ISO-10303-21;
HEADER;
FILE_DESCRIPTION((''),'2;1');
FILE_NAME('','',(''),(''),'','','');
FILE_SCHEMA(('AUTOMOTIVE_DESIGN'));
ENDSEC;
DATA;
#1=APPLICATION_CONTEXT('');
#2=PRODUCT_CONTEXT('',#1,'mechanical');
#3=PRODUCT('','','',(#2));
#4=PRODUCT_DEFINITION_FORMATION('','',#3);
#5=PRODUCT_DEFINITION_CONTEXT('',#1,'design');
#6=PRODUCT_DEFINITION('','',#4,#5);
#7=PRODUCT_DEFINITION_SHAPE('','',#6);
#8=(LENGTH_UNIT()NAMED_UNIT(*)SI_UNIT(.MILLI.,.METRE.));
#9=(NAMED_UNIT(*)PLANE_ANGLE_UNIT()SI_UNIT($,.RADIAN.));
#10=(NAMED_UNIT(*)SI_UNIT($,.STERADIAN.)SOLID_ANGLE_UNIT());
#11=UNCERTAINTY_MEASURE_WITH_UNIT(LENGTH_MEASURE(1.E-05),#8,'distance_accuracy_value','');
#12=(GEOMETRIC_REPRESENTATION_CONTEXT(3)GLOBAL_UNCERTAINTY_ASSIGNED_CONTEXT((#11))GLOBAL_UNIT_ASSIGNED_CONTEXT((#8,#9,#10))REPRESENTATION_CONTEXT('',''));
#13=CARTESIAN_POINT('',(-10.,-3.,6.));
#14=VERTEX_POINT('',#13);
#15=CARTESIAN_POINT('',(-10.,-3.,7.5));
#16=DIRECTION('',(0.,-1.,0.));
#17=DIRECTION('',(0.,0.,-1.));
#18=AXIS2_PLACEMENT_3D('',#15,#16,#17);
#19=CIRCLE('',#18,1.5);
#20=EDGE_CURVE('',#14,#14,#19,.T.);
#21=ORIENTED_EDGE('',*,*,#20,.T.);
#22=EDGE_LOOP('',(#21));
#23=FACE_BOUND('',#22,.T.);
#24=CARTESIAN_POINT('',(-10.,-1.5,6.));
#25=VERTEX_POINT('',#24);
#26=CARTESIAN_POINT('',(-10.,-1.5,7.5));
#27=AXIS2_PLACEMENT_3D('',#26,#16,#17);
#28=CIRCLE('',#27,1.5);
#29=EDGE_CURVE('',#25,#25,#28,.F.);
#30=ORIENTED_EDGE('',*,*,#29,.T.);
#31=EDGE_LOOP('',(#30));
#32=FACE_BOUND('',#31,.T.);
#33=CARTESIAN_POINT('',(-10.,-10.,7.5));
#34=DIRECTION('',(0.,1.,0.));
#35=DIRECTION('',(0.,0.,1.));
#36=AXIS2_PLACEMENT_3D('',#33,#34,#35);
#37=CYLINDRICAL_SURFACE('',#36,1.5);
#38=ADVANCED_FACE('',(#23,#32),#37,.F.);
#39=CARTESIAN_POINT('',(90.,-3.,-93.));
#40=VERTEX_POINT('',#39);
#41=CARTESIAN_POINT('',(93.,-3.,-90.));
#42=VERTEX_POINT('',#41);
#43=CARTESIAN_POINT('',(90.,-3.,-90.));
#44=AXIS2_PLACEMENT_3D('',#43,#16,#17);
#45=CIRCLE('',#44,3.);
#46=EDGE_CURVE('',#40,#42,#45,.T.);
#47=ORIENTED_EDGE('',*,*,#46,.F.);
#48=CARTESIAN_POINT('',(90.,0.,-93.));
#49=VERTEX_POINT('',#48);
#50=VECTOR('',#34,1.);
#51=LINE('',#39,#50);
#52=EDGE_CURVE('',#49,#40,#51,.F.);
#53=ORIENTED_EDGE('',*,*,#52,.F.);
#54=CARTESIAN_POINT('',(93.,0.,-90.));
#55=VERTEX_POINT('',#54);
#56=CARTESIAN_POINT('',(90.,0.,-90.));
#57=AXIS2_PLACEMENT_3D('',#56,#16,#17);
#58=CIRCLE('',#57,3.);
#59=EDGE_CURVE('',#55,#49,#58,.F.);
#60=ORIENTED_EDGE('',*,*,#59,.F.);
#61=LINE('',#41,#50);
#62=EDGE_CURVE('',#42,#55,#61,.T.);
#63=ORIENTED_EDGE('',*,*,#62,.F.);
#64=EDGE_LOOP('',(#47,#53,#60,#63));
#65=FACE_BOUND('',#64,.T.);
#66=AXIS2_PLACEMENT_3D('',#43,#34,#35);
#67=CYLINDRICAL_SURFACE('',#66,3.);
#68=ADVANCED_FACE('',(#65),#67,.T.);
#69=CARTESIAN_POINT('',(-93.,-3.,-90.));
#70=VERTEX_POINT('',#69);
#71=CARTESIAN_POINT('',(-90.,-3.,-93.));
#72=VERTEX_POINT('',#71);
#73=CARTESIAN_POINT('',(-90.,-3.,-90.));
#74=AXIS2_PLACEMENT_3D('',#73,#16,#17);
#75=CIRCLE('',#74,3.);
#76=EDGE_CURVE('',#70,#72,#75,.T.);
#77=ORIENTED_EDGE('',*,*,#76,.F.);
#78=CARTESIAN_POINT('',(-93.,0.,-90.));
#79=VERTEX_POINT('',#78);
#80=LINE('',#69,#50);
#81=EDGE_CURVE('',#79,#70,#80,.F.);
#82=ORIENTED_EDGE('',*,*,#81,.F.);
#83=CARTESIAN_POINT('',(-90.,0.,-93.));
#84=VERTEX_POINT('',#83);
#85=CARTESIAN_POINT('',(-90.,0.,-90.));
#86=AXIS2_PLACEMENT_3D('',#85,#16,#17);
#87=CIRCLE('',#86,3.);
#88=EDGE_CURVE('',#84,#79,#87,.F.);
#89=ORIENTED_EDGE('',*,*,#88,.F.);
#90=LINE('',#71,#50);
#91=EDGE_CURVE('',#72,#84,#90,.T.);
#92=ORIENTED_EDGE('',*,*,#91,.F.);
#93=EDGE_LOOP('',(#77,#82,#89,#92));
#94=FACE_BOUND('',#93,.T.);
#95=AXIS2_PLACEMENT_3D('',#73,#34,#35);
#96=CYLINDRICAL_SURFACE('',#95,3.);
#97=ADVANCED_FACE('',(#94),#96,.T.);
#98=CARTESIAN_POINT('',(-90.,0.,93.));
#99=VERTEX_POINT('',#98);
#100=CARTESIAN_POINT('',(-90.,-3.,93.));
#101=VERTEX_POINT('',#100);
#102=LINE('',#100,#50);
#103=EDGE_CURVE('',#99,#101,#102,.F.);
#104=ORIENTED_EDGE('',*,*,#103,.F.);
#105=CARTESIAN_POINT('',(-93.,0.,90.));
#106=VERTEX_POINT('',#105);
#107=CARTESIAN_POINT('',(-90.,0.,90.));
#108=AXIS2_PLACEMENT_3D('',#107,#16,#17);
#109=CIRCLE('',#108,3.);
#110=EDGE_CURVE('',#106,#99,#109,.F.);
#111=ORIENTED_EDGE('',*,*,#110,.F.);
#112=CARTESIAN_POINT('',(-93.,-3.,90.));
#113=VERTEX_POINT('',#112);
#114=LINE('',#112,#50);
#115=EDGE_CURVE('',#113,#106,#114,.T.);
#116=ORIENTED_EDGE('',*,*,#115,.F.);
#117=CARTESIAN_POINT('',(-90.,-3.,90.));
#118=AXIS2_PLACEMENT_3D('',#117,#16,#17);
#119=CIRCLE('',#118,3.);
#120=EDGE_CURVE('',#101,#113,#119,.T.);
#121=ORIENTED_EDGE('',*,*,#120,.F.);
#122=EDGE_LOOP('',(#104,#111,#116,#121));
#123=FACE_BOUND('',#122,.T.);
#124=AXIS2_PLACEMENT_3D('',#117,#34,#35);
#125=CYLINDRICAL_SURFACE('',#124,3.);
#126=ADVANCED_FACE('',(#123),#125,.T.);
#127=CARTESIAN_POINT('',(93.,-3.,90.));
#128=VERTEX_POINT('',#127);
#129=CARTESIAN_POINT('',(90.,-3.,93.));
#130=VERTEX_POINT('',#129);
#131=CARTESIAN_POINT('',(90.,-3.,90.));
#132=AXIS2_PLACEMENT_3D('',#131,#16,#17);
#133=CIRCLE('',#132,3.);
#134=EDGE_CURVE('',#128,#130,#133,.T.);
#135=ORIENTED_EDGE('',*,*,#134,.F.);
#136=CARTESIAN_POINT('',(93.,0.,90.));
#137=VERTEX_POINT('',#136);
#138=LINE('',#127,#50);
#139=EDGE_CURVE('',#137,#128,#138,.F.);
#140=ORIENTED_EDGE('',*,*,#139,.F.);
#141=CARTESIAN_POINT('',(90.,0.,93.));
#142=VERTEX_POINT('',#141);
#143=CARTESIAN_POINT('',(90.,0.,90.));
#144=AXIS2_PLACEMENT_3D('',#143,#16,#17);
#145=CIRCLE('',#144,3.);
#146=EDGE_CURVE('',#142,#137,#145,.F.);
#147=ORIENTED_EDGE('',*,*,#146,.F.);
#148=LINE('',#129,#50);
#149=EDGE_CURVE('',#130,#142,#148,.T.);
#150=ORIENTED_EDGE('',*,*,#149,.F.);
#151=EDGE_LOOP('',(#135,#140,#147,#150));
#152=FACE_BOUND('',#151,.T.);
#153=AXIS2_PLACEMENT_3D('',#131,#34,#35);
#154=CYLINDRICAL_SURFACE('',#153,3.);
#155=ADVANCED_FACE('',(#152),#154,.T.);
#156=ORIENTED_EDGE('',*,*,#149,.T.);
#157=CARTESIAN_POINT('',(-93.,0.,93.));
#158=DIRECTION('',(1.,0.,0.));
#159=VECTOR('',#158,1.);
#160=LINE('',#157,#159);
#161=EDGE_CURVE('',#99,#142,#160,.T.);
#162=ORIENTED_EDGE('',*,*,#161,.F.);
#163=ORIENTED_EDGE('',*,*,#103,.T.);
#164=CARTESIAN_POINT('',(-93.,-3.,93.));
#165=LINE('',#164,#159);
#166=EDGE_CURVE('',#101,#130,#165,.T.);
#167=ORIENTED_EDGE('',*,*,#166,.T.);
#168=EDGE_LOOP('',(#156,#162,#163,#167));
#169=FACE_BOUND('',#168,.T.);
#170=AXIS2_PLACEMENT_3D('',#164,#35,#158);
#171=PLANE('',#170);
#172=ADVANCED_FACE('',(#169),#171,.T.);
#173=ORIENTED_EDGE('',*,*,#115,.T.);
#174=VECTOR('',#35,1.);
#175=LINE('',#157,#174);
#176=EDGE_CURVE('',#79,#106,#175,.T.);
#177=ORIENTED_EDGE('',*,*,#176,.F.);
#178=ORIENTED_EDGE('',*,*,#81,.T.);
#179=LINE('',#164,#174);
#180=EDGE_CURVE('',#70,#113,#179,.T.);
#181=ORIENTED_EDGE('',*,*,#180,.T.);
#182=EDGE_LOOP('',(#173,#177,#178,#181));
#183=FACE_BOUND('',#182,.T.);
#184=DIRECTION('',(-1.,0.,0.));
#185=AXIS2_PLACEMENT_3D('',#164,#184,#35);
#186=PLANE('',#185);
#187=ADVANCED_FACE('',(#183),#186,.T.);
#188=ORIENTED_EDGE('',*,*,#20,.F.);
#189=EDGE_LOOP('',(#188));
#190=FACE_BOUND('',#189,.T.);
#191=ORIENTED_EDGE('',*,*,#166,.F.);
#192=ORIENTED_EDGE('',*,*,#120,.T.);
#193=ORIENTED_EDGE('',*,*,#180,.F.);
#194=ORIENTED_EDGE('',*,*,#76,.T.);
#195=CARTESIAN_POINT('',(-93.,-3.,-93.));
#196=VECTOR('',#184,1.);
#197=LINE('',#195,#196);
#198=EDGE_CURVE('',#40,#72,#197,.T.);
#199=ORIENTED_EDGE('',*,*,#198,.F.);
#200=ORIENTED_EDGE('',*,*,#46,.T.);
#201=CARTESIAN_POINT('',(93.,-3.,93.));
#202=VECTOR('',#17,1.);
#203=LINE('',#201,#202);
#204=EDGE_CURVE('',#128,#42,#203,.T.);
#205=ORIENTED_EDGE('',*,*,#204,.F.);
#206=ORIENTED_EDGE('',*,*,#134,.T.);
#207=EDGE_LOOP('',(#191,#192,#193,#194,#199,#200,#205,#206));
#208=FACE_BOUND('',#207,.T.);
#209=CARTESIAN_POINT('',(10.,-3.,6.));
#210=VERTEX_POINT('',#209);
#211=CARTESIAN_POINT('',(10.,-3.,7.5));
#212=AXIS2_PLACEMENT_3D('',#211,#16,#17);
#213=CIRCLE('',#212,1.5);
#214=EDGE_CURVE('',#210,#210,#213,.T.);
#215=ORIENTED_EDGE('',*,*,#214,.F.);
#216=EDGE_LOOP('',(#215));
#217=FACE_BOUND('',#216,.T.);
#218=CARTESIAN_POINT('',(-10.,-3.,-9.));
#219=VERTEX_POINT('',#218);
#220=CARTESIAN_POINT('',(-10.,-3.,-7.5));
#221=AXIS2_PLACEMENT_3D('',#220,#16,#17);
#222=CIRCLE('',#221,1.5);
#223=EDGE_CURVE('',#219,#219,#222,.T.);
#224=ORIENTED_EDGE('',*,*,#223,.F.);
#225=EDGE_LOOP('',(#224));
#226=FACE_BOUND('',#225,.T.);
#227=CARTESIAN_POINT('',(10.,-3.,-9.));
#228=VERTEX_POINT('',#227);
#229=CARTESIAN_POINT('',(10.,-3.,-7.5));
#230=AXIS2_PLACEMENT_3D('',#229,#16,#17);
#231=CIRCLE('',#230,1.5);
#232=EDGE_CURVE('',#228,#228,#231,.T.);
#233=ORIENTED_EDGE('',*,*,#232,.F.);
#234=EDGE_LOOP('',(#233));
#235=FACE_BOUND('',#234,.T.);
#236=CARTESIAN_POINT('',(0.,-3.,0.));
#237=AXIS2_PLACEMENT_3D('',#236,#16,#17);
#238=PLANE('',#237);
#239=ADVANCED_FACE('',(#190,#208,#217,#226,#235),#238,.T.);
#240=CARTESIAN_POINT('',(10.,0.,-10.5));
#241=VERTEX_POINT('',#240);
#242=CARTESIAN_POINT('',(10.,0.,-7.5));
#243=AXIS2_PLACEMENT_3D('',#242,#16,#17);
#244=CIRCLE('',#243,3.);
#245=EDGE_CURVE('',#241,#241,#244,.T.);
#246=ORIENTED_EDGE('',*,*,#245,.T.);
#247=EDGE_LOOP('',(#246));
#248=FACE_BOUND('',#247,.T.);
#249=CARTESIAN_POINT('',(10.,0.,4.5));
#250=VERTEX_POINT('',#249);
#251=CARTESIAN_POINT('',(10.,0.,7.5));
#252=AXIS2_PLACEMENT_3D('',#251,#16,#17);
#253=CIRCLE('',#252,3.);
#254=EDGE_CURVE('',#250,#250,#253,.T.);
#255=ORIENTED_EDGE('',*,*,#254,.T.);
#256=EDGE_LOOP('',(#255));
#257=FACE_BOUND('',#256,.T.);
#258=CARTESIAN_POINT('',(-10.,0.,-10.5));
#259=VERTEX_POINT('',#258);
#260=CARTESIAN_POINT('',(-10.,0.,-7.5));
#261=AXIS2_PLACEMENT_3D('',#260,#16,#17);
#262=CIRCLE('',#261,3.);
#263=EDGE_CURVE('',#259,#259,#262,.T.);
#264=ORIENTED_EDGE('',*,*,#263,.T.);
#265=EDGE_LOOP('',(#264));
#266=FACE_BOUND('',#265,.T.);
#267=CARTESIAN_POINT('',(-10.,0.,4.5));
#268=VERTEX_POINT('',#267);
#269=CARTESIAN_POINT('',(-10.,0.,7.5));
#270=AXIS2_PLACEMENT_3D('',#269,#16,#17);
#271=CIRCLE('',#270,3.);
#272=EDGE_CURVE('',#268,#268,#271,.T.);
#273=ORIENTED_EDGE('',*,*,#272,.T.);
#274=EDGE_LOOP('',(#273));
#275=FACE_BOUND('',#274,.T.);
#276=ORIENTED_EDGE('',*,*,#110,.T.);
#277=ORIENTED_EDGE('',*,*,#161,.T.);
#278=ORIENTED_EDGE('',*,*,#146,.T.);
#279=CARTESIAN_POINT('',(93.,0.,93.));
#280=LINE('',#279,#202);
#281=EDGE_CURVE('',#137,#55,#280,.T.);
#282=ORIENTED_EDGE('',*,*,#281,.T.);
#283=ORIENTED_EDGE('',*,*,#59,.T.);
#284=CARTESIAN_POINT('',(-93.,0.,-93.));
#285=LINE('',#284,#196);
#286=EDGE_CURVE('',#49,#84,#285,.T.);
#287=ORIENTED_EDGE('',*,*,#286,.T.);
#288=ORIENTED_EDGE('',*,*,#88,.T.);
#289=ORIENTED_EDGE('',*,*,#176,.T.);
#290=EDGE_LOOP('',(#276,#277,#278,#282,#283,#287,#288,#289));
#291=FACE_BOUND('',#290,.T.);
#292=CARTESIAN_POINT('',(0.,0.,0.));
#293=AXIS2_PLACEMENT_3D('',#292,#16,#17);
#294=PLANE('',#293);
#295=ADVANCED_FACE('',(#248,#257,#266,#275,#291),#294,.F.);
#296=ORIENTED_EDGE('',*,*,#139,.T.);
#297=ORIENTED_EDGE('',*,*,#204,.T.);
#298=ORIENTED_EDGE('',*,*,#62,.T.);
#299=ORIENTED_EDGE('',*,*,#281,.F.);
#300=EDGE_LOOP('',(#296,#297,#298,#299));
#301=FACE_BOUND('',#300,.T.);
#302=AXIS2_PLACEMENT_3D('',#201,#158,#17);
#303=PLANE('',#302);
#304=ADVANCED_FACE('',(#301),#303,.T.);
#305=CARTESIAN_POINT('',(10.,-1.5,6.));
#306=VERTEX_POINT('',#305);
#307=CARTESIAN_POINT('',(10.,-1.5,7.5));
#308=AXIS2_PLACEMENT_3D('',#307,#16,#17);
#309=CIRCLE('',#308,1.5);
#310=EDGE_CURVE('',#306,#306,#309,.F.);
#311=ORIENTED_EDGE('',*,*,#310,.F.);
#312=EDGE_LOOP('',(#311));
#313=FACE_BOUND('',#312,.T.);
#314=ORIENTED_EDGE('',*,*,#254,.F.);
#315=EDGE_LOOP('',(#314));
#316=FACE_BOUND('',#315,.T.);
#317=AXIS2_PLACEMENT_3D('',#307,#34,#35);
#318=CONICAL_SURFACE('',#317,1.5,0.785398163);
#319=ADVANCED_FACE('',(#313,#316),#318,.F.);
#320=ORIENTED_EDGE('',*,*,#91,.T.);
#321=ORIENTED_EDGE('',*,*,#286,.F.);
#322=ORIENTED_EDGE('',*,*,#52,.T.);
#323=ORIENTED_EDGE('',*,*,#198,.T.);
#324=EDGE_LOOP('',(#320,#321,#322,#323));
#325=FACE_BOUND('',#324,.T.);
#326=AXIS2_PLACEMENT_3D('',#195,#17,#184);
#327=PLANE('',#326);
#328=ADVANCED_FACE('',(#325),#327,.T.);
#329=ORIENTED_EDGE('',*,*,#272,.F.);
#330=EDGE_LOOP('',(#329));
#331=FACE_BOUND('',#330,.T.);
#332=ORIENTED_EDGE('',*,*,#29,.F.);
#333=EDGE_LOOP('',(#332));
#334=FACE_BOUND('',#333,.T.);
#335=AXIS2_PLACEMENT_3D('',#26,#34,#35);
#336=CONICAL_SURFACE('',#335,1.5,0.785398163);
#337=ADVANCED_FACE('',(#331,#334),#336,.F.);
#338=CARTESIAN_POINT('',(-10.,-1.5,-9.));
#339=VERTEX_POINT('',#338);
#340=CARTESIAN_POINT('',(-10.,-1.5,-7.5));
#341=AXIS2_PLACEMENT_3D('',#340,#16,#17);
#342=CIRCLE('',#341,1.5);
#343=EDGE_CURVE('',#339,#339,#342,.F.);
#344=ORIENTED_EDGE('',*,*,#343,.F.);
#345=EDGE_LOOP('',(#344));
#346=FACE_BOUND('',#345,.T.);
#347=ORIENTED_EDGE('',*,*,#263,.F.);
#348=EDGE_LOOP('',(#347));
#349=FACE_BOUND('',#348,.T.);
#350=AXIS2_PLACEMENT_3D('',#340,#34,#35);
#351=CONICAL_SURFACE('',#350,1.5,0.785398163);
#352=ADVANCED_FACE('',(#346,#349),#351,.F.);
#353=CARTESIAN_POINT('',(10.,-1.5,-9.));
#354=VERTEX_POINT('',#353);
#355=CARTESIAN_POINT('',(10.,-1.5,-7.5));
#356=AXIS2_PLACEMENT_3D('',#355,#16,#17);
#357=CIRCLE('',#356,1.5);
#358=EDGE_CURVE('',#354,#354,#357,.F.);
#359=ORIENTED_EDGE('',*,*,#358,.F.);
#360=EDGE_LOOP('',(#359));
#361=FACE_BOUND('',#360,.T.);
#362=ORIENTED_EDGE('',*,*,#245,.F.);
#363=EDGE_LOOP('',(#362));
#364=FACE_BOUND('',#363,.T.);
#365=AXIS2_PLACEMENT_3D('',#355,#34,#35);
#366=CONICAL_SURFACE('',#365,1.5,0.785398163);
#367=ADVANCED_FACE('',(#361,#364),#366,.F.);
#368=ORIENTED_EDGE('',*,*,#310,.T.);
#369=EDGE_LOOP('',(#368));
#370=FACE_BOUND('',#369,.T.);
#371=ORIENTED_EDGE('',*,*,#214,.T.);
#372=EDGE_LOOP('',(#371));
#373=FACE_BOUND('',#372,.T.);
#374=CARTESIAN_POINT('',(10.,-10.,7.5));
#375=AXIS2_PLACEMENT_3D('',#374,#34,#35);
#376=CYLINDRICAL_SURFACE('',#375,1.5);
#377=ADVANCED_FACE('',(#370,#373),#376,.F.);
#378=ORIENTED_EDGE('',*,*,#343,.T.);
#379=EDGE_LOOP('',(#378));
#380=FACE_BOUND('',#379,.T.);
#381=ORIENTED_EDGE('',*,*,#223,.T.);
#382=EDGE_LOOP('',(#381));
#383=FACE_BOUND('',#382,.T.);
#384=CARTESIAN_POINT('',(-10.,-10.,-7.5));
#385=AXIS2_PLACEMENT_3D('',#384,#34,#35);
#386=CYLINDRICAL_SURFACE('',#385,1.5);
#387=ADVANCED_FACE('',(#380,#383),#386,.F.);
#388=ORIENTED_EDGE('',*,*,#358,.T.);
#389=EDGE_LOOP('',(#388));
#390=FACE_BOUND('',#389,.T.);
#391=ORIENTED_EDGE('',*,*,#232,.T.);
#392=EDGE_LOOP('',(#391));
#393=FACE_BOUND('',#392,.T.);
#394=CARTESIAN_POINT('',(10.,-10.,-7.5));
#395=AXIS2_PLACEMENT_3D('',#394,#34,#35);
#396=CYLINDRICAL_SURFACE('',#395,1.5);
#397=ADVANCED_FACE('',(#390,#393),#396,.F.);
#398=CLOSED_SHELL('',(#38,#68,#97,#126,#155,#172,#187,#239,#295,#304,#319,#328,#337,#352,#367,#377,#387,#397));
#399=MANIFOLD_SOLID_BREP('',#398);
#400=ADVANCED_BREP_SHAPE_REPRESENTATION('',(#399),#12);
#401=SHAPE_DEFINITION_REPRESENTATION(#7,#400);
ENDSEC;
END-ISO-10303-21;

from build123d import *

# Parameters (mm, degrees)
SKETCH1_W           = 186
SKETCH1_H           = 186
BOSS_EXTRUDE1_DEPTH = 3
FILLET1_R           = 3
SKETCH2_R           = 1.5
CUT_EXTRUDE1_DEPTH  = 10
CHAMFER1_SIZE       = 1.5


with BuildPart() as part:
    # Sketch1 → Boss-Extrude1 (new body)
    with BuildSketch(Plane(origin=(0, 0, 0), x_dir=(1, 0, 0), z_dir=(0, 1, 0))):
        Rectangle(SKETCH1_W, SKETCH1_H)
    extrude(amount=-BOSS_EXTRUDE1_DEPTH)

    # Fillet1
    fillet1_edges = [part.edges().sort_by_distance(p)[0] for p in [
        (93, -1.5, 93),
        (-93, -1.5, 93),
        (-93, -1.5, -93),
        (93, -1.5, -93),
    ]]
    fillet(fillet1_edges, radius=FILLET1_R)

    # Sketch2 → Cut-Extrude1 (cut)
    with BuildSketch(Plane(origin=(0, 0, 0), x_dir=(1, 0, 0), z_dir=(0, 1, 0))):
        with Locations(Location((-10, -7.5, 0), (0, 0, 270))):
            Circle(SKETCH2_R)
        with Locations(Location((-10, 7.5, 0), (0, 0, 270))):
            Circle(SKETCH2_R)
        with Locations(Location((10, 7.5, 0), (0, 0, 270))):
            Circle(SKETCH2_R)
        with Locations(Location((10, -7.5, 0), (0, 0, 270))):
            Circle(SKETCH2_R)
    extrude(amount=-CUT_EXTRUDE1_DEPTH, mode=Mode.SUBTRACT)

    # Chamfer1
    chamfer1_edges = [part.edges().sort_by_distance(p)[0] for p in [
        (-10, 0, 6),
        (-10, 0, -9),
        (10, 0, -9),
        (10, 0, 6),
    ]]
    chamfer(chamfer1_edges, length=CHAMFER1_SIZE)


solid = part.part
